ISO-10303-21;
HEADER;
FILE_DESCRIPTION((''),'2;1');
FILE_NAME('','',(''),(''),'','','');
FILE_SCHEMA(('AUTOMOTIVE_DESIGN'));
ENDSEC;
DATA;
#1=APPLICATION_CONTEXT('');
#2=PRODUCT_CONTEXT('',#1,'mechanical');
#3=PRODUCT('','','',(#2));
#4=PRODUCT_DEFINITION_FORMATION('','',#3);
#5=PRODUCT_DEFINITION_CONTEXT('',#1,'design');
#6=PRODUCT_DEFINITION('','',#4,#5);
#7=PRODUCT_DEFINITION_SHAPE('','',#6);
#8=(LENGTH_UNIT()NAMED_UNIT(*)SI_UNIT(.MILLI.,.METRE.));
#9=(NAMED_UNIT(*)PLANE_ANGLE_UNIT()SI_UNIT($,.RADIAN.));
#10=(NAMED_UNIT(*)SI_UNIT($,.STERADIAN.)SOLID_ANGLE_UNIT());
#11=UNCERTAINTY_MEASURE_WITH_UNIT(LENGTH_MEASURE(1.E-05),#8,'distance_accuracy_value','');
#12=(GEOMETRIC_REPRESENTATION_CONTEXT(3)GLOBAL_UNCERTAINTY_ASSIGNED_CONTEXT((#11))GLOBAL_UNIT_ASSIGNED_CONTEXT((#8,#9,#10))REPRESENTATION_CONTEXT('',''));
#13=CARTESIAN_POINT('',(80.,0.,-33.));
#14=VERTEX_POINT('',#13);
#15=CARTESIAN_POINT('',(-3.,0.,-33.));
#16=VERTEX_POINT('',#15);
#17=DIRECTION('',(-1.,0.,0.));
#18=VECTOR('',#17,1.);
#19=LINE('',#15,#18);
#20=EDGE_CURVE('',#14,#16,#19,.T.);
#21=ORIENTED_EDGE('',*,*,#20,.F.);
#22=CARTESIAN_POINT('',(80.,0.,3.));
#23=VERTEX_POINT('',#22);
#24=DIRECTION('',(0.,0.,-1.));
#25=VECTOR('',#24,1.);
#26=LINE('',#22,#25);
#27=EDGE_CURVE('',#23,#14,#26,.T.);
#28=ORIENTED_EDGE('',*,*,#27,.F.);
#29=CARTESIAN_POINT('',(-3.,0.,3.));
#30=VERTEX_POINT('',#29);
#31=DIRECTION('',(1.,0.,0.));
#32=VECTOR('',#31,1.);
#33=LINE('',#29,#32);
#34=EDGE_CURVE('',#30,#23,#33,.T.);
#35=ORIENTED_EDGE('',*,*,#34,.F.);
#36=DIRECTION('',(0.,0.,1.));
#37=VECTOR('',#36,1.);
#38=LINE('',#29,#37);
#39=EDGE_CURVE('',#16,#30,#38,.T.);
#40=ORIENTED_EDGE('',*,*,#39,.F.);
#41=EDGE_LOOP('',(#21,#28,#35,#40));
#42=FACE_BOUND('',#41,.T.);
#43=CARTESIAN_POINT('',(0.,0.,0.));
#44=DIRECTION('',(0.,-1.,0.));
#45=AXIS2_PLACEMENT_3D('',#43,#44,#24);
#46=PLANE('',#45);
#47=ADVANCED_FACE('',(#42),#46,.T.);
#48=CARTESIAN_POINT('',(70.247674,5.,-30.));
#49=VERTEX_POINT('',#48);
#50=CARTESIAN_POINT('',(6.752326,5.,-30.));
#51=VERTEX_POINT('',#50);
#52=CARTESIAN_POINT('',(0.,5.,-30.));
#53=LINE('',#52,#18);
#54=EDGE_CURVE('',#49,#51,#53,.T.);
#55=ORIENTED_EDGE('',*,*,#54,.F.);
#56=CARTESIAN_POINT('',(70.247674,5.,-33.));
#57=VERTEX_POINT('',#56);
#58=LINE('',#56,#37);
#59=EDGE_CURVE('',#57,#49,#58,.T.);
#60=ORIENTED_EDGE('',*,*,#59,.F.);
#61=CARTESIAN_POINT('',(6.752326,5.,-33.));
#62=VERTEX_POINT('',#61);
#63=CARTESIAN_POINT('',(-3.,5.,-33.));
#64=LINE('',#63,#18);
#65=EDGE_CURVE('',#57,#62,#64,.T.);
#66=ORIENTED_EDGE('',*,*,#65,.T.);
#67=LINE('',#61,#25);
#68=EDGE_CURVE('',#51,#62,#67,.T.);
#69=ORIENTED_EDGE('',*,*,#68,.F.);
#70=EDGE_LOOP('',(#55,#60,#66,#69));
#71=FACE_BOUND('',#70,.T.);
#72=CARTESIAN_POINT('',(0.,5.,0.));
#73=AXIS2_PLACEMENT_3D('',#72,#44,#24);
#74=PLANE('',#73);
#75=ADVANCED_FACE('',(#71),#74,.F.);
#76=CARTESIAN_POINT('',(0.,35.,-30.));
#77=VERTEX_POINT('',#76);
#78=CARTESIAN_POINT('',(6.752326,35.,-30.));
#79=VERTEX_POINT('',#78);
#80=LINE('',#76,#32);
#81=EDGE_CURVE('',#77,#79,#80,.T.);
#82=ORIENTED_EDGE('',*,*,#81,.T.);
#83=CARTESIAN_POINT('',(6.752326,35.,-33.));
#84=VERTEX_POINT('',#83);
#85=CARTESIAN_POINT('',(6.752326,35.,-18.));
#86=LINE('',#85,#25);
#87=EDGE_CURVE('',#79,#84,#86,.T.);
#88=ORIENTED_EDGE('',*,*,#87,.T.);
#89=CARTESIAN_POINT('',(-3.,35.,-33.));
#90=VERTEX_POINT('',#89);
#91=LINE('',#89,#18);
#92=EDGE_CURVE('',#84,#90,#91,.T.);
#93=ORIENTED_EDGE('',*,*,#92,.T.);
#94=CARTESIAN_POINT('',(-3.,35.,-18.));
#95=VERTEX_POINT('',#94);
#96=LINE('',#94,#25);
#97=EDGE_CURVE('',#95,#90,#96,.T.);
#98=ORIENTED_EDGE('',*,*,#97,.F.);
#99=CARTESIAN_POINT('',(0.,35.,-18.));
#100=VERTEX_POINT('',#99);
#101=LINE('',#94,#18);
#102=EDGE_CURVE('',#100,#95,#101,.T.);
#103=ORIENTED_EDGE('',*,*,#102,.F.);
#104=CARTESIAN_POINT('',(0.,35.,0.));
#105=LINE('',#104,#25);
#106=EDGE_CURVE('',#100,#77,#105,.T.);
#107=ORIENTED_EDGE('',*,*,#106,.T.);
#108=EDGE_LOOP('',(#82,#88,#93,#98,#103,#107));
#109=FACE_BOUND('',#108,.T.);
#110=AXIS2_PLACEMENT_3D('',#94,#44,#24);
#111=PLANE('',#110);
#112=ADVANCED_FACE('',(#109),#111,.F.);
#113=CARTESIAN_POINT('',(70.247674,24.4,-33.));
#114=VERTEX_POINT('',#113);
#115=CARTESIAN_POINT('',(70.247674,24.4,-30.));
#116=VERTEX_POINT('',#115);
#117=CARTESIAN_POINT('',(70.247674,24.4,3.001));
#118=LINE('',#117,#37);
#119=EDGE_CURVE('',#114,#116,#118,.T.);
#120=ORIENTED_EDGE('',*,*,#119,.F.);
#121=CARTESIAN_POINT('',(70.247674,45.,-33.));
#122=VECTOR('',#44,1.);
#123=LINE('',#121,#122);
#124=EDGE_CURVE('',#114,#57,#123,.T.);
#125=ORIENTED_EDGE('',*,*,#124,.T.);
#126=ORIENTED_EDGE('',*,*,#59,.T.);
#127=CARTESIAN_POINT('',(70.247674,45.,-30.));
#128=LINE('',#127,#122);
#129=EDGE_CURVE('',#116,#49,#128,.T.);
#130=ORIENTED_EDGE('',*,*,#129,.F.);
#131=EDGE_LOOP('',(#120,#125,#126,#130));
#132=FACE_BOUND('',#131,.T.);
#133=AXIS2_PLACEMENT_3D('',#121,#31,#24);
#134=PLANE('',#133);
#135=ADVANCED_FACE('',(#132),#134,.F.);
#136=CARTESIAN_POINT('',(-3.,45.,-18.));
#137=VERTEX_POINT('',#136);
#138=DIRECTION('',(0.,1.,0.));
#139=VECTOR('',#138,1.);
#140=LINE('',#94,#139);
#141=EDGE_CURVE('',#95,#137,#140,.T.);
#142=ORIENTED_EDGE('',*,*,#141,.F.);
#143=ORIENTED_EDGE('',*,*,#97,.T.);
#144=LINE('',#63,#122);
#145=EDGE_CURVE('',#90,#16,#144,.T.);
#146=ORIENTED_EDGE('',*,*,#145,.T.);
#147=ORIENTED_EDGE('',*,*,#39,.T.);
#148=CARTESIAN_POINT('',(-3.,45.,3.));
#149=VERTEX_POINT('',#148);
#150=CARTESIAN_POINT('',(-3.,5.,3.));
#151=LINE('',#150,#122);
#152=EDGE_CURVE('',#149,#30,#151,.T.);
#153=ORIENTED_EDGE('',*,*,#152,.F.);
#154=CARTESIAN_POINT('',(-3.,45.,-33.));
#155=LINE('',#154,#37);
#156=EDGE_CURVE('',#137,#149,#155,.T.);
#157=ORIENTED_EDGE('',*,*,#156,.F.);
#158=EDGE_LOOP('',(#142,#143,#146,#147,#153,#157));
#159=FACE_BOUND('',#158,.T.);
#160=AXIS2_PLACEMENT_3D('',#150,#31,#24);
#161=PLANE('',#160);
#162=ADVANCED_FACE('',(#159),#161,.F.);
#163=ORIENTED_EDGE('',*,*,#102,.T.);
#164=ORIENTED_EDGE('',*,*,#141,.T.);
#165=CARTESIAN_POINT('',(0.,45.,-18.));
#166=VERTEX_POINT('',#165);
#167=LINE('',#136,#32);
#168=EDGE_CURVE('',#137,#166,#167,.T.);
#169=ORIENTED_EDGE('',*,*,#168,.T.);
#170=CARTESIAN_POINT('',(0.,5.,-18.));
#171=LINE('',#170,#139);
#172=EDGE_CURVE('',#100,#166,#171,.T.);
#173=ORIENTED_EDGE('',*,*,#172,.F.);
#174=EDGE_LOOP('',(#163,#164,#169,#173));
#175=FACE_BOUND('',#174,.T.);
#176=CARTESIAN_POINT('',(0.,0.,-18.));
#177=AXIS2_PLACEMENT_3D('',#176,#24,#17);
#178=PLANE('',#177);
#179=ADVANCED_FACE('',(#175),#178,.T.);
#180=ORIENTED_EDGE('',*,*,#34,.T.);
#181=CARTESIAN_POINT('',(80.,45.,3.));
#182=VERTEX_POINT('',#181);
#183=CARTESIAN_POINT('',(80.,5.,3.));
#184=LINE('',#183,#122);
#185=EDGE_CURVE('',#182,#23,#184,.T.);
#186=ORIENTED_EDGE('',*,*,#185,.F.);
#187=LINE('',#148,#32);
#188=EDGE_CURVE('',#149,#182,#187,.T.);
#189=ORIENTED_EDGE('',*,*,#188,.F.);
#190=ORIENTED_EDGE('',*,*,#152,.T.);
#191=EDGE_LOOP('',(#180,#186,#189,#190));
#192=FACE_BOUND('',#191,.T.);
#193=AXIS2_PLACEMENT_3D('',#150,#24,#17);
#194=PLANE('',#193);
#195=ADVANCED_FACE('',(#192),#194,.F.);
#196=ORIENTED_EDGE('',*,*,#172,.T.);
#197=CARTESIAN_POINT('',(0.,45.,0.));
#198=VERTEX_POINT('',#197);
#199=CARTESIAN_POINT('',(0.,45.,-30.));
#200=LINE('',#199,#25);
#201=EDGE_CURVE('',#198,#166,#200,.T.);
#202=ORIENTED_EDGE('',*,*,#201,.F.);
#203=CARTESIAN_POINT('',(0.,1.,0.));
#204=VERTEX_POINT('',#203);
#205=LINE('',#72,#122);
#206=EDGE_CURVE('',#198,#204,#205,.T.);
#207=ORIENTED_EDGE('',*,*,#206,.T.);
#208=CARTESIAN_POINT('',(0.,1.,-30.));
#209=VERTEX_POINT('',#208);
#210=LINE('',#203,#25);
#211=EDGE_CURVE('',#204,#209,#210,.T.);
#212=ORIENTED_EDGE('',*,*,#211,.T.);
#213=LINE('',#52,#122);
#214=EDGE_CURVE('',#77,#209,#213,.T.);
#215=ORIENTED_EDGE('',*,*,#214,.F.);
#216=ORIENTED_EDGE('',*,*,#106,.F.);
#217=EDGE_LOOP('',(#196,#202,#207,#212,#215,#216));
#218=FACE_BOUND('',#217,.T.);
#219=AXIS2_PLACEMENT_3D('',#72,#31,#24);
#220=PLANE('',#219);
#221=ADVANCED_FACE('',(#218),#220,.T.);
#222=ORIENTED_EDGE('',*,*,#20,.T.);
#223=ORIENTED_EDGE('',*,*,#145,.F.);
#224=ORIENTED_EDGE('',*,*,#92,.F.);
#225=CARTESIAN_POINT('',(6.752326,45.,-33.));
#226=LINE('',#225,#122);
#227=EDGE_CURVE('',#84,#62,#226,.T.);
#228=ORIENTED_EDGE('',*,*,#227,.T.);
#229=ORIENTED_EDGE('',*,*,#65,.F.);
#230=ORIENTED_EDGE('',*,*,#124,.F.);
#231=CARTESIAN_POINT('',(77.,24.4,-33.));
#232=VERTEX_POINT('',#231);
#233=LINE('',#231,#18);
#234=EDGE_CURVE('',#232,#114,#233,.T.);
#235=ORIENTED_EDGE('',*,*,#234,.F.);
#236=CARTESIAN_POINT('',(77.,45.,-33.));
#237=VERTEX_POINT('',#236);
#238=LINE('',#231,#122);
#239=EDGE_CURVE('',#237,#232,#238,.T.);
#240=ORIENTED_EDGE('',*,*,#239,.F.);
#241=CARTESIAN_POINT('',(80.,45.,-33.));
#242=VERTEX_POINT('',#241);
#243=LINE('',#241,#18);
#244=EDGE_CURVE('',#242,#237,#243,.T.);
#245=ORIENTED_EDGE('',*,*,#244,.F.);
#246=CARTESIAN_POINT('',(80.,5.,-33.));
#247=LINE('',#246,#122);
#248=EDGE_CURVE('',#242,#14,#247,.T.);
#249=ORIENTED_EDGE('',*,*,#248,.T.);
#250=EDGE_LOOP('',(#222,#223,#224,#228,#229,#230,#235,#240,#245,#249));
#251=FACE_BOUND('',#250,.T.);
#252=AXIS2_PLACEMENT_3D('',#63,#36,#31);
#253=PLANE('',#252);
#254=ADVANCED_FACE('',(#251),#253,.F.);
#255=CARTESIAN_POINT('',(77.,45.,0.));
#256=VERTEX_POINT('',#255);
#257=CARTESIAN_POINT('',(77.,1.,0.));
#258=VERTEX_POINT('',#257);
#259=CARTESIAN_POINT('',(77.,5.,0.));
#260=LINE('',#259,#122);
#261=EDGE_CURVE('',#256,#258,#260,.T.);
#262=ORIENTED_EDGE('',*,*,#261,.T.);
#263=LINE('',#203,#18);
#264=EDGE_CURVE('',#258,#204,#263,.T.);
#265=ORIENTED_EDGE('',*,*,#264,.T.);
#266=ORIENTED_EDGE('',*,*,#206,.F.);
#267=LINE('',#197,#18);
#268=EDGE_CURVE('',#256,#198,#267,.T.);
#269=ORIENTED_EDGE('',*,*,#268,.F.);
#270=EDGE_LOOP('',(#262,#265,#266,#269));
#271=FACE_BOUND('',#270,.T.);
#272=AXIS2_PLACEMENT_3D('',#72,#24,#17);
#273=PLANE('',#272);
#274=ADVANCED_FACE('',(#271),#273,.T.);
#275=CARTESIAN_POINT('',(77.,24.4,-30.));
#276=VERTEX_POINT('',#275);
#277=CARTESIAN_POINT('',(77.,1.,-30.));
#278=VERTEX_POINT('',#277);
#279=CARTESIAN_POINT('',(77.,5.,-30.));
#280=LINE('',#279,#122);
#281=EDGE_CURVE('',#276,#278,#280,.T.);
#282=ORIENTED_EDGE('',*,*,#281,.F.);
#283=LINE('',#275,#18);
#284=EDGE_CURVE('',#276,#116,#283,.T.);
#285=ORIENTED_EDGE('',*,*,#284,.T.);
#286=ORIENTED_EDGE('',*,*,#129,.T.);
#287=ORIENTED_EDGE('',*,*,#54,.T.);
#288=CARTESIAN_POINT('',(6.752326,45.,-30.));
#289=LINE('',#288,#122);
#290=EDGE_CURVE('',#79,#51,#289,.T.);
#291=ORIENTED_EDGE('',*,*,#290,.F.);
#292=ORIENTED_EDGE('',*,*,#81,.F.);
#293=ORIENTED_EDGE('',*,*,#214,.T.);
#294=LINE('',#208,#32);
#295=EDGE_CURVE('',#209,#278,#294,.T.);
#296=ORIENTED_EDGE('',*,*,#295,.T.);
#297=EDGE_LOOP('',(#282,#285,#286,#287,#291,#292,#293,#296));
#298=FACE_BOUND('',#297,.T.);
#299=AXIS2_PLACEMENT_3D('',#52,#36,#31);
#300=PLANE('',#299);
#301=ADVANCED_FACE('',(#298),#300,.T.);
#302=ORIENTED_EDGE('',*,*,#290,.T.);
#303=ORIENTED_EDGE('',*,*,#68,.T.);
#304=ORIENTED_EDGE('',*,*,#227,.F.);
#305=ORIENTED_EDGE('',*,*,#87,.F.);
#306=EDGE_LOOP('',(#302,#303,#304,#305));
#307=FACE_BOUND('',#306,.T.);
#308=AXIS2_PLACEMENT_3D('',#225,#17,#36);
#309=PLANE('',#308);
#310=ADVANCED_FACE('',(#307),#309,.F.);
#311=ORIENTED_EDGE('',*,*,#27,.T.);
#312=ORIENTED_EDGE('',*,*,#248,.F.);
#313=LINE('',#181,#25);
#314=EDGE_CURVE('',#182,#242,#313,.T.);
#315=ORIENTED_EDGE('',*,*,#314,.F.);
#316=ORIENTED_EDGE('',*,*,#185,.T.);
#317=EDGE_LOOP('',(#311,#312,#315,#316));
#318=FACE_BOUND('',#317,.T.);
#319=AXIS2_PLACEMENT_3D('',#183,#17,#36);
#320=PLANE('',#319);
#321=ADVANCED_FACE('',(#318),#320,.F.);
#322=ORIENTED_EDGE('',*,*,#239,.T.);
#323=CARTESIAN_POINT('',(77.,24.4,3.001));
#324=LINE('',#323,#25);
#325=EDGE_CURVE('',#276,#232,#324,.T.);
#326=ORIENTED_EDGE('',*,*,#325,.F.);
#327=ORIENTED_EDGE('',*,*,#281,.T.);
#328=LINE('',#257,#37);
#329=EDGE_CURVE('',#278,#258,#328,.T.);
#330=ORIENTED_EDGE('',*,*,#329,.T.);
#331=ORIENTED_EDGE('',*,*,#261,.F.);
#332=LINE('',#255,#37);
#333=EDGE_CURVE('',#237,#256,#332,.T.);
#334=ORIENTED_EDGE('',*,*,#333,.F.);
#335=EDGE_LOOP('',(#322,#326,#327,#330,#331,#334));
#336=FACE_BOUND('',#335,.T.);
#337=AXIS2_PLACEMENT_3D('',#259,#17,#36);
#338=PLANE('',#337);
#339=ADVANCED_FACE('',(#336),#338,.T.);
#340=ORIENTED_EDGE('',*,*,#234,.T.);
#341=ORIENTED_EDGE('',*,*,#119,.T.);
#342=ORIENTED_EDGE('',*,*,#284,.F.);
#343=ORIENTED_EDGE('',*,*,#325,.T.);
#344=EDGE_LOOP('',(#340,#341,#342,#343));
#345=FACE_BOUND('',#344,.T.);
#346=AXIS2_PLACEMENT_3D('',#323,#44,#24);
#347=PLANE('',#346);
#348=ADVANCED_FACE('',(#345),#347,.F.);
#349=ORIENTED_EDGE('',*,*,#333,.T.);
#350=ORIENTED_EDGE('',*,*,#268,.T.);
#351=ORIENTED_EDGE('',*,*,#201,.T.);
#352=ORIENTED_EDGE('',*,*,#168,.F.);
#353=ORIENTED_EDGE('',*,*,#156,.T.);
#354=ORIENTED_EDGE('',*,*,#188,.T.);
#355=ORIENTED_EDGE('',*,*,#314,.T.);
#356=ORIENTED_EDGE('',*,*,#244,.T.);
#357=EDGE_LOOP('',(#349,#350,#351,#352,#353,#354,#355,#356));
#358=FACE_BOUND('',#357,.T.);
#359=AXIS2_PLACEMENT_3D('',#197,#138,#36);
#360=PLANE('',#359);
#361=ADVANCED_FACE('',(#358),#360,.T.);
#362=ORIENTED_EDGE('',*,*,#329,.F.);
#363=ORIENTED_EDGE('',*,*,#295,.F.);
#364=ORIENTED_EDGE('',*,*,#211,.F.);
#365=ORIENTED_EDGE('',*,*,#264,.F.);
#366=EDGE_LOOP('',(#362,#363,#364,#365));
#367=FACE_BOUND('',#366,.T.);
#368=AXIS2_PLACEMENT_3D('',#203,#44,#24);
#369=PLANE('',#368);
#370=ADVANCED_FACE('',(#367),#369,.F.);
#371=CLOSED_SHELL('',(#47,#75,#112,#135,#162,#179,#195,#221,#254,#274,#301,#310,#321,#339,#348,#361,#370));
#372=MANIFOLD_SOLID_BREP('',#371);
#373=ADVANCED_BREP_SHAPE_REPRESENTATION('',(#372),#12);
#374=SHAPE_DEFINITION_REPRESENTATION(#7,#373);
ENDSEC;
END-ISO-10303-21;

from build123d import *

# Parameters (mm, degrees)
SKETCH1_W           = 83
SKETCH1_H           = 36
SKETCH1_W_2         = 77
SKETCH1_H_2         = 30
BOSS_EXTRUDE1_DEPTH = 5
BOSS_EXTRUDE2_DEPTH = 40
SKETCH3_W           = 83
SKETCH3_H           = 36
BOSS_EXTRUDE3_DEPTH = 1
SKETCH4_W           = 9.752325518
SKETCH4_H           = 10
CUT_EXTRUDE1_DEPTH  = 15
CUT_EXTRUDE2_REACH  = 100.595
SKETCH5_W           = 7.400592898
SKETCH5_H           = 21.28859468


with BuildPart() as part:
    # Sketch1 → Boss-Extrude1 (new body)
    with BuildSketch(Plane(origin=(0, 0, 0), x_dir=(1, 0, 0), z_dir=(0, 1, 0))):
        with Locations((38.5, 15)):
            Rectangle(SKETCH1_W, SKETCH1_H)
        with Locations((38.5, 15)):
            Rectangle(SKETCH1_W_2, SKETCH1_H_2, mode=Mode.SUBTRACT)
    extrude(amount=BOSS_EXTRUDE1_DEPTH)

    # Sketch2 → Boss-Extrude2 (add)
    with BuildSketch(Plane(origin=(0, 5, 0), x_dir=(1, 0, 0), z_dir=(0, 1, 0))):
        Polygon((80, -3), (80, 33), (70.247674482, 33), (70.247674482, 30), (77, 30), (77, 0), (0, 0), (0, 30), (6.752325518, 30), (6.752325518, 33), (-3, 33), (-3, -3), align=None)
    extrude(amount=BOSS_EXTRUDE2_DEPTH)

    # Sketch3 → Boss-Extrude3 (add)
    with BuildSketch(Plane.XZ):
        with Locations((38.5, -15)):
            Rectangle(SKETCH3_W, SKETCH3_H)
    extrude(amount=-BOSS_EXTRUDE3_DEPTH)

    # Sketch4 → Cut-Extrude1 (cut)
    with BuildSketch(Plane(origin=(0, 0, -33), x_dir=(-1, 0, 0), z_dir=(0, 0, -1))):
        with Locations((-1.876162759, 40)):
            Rectangle(SKETCH4_W, SKETCH4_H)
    extrude(amount=-CUT_EXTRUDE1_DEPTH, mode=Mode.SUBTRACT)

    # Sketch5 → Cut-Extrude2 (cut, up to next)
    with BuildSketch(Plane(origin=(0, 0, -33), x_dir=(-1, 0, 0), z_dir=(0, 0, -1)), mode=Mode.PRIVATE) as cut_extrude2_sk1:
        with Locations((-73.299703551, 35.04429734)):
            Rectangle(SKETCH5_W, SKETCH5_H)
    cut_extrude2_tool1 = extrude(cut_extrude2_sk1.sketch, amount=-CUT_EXTRUDE2_REACH, mode=Mode.PRIVATE) & part.part
    add(cut_extrude2_tool1.solids().sort_by_distance((73.299704, 35.044297, -33))[0], mode=Mode.SUBTRACT)


solid = part.part
